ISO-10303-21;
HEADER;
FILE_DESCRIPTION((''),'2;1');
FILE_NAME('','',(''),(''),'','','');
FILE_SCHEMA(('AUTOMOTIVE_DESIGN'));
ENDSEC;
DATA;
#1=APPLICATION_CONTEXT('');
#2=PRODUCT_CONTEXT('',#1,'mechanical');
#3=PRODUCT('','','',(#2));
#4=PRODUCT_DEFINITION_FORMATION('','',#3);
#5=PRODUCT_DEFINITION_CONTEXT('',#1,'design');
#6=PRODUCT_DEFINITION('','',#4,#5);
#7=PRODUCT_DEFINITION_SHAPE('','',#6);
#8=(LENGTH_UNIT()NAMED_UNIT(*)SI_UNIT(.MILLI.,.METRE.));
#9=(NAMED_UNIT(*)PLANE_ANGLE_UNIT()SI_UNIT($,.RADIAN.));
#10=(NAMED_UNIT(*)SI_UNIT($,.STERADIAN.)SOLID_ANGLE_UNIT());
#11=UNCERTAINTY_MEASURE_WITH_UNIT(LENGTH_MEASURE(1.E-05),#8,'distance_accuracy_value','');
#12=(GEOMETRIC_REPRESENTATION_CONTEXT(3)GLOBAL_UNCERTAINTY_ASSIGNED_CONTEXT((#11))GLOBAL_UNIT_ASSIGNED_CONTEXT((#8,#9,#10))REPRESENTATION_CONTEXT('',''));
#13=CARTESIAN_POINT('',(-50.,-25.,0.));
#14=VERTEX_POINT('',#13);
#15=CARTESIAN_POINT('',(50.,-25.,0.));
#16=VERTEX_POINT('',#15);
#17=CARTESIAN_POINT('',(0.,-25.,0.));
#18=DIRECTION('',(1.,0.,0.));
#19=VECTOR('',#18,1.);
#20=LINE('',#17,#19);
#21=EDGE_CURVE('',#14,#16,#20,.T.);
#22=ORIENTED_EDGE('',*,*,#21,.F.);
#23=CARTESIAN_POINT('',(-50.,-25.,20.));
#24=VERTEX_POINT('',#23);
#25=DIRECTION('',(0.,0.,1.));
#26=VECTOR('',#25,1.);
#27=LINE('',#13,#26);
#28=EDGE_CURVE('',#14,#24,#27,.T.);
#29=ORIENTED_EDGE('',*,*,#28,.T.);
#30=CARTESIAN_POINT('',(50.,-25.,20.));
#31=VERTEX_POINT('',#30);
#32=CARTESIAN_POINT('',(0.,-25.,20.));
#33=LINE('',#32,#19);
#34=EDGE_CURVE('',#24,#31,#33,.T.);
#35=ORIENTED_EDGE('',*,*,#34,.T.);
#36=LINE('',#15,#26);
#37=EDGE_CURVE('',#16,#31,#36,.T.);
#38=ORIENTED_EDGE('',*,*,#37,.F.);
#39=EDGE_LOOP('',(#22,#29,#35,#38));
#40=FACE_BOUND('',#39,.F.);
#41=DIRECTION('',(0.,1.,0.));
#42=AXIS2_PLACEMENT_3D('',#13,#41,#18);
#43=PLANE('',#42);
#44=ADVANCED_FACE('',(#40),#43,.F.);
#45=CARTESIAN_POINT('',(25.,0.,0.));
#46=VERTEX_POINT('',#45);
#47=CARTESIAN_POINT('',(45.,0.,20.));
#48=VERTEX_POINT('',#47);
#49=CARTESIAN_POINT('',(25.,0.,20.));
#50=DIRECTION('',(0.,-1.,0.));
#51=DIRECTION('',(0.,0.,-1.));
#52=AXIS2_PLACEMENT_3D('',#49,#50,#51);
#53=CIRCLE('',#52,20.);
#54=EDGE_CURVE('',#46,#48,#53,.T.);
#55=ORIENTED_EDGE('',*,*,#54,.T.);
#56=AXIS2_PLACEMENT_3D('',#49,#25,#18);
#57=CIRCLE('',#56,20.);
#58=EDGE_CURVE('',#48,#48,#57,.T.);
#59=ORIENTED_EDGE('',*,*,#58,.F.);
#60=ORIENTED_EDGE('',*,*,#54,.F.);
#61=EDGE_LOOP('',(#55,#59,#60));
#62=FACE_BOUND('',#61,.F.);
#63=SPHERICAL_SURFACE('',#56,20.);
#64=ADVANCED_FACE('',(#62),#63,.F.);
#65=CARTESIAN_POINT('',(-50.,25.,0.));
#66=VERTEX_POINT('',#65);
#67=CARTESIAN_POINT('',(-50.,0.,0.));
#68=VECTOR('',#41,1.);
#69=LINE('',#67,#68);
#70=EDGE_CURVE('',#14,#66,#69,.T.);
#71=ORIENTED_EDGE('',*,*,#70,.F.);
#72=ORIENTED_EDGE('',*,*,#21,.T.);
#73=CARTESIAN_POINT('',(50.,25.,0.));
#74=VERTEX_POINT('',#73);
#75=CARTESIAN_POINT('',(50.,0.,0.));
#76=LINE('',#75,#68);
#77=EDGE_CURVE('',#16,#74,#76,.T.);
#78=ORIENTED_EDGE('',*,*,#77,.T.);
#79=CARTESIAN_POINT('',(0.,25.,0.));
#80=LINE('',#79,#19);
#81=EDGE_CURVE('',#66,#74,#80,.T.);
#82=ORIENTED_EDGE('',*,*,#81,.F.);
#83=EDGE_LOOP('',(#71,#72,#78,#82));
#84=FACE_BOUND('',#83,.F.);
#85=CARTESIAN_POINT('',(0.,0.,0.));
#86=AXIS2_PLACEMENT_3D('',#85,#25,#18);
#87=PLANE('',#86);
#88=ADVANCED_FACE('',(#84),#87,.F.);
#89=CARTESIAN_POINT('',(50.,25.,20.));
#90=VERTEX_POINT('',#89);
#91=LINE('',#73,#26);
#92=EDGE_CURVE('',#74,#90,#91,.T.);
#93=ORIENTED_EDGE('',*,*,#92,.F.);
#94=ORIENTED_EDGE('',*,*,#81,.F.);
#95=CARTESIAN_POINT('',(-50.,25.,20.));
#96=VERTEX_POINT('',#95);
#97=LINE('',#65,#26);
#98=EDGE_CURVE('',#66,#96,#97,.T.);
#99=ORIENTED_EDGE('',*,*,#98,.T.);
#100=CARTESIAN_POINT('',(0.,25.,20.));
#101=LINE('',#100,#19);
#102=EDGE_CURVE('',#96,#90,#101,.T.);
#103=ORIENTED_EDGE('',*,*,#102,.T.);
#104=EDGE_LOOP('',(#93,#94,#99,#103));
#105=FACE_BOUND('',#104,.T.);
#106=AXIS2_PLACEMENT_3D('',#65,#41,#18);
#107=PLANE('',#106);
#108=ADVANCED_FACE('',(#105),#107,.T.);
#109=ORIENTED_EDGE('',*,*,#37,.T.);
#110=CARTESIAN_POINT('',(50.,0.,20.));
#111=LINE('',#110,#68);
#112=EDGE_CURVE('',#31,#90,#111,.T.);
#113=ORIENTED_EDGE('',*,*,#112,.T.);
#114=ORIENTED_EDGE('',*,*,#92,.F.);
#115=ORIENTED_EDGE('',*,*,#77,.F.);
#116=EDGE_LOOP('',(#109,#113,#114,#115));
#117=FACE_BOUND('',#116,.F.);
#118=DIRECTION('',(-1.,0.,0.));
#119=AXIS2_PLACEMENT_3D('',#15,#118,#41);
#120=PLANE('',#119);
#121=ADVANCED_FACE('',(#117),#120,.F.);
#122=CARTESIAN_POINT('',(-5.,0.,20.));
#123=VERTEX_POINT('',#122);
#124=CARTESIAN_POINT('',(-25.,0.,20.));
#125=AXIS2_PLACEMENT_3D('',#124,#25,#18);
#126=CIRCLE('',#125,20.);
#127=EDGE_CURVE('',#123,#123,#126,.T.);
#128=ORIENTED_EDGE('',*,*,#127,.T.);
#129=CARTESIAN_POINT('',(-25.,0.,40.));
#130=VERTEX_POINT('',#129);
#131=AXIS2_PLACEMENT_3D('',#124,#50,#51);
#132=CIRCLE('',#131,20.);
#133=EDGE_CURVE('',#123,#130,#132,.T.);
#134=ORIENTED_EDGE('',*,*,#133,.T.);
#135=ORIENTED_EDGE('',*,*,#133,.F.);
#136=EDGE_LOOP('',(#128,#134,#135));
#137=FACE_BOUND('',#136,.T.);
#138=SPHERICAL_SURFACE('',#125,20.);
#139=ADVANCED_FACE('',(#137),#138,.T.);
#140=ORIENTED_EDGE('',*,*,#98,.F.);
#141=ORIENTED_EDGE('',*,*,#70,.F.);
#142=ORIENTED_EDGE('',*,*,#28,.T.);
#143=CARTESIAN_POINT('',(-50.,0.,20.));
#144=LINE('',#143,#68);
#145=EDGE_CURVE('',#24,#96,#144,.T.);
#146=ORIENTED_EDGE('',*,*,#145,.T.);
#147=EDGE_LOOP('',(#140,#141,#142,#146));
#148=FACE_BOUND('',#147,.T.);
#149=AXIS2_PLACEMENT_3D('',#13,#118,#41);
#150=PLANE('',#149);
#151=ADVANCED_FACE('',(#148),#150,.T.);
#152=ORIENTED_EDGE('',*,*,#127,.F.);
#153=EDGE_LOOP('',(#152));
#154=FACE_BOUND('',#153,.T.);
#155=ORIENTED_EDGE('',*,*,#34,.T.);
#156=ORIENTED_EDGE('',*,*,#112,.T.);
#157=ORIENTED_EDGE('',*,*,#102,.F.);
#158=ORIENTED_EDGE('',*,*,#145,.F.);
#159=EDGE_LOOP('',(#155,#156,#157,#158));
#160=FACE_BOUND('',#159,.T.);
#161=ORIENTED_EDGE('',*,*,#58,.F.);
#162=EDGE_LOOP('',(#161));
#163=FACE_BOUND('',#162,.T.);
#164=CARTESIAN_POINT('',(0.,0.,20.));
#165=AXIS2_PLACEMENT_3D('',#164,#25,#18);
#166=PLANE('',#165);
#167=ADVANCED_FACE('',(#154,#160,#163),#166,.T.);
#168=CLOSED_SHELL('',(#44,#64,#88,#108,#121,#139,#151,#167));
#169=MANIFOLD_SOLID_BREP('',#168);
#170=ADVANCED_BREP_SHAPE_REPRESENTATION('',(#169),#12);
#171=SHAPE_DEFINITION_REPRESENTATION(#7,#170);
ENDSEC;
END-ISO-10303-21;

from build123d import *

# Parameters (mm, degrees)
SKETCH_W  = 100
SKETCH_H  = 50
PAD_DEPTH = 20


with BuildPart() as part:
    # Sketch → Pad (new body)
    with BuildSketch(Plane.XY):
        Rectangle(SKETCH_W, SKETCH_H)
    extrude(amount=PAD_DEPTH)

    # Sphere → Sphere (revolve)
    with BuildSketch(Plane(origin=(-25, 0, 20), x_dir=(1, 0, 0), z_dir=(0, -1, 0))):
        with BuildLine():
            ThreePointArc((0, -20), (20, 0), (0, 20))
            Line((0, 20), (0, -20))
        make_face()
    revolve(axis=Axis((-25, 0, 20), (0, 0, 1)))

    # Sphere001 → Sphere001 (revolve, cut)
    with BuildSketch(Plane(origin=(25, 0, 20), x_dir=(1, 0, 0), z_dir=(0, -1, 0))):
        with BuildLine():
            ThreePointArc((0, -20), (20, 0), (0, 20))
            Line((0, 20), (0, -20))
        make_face()
    revolve(axis=Axis((25, 0, 20), (0, 0, 1)), mode=Mode.SUBTRACT)


solid = part.part
